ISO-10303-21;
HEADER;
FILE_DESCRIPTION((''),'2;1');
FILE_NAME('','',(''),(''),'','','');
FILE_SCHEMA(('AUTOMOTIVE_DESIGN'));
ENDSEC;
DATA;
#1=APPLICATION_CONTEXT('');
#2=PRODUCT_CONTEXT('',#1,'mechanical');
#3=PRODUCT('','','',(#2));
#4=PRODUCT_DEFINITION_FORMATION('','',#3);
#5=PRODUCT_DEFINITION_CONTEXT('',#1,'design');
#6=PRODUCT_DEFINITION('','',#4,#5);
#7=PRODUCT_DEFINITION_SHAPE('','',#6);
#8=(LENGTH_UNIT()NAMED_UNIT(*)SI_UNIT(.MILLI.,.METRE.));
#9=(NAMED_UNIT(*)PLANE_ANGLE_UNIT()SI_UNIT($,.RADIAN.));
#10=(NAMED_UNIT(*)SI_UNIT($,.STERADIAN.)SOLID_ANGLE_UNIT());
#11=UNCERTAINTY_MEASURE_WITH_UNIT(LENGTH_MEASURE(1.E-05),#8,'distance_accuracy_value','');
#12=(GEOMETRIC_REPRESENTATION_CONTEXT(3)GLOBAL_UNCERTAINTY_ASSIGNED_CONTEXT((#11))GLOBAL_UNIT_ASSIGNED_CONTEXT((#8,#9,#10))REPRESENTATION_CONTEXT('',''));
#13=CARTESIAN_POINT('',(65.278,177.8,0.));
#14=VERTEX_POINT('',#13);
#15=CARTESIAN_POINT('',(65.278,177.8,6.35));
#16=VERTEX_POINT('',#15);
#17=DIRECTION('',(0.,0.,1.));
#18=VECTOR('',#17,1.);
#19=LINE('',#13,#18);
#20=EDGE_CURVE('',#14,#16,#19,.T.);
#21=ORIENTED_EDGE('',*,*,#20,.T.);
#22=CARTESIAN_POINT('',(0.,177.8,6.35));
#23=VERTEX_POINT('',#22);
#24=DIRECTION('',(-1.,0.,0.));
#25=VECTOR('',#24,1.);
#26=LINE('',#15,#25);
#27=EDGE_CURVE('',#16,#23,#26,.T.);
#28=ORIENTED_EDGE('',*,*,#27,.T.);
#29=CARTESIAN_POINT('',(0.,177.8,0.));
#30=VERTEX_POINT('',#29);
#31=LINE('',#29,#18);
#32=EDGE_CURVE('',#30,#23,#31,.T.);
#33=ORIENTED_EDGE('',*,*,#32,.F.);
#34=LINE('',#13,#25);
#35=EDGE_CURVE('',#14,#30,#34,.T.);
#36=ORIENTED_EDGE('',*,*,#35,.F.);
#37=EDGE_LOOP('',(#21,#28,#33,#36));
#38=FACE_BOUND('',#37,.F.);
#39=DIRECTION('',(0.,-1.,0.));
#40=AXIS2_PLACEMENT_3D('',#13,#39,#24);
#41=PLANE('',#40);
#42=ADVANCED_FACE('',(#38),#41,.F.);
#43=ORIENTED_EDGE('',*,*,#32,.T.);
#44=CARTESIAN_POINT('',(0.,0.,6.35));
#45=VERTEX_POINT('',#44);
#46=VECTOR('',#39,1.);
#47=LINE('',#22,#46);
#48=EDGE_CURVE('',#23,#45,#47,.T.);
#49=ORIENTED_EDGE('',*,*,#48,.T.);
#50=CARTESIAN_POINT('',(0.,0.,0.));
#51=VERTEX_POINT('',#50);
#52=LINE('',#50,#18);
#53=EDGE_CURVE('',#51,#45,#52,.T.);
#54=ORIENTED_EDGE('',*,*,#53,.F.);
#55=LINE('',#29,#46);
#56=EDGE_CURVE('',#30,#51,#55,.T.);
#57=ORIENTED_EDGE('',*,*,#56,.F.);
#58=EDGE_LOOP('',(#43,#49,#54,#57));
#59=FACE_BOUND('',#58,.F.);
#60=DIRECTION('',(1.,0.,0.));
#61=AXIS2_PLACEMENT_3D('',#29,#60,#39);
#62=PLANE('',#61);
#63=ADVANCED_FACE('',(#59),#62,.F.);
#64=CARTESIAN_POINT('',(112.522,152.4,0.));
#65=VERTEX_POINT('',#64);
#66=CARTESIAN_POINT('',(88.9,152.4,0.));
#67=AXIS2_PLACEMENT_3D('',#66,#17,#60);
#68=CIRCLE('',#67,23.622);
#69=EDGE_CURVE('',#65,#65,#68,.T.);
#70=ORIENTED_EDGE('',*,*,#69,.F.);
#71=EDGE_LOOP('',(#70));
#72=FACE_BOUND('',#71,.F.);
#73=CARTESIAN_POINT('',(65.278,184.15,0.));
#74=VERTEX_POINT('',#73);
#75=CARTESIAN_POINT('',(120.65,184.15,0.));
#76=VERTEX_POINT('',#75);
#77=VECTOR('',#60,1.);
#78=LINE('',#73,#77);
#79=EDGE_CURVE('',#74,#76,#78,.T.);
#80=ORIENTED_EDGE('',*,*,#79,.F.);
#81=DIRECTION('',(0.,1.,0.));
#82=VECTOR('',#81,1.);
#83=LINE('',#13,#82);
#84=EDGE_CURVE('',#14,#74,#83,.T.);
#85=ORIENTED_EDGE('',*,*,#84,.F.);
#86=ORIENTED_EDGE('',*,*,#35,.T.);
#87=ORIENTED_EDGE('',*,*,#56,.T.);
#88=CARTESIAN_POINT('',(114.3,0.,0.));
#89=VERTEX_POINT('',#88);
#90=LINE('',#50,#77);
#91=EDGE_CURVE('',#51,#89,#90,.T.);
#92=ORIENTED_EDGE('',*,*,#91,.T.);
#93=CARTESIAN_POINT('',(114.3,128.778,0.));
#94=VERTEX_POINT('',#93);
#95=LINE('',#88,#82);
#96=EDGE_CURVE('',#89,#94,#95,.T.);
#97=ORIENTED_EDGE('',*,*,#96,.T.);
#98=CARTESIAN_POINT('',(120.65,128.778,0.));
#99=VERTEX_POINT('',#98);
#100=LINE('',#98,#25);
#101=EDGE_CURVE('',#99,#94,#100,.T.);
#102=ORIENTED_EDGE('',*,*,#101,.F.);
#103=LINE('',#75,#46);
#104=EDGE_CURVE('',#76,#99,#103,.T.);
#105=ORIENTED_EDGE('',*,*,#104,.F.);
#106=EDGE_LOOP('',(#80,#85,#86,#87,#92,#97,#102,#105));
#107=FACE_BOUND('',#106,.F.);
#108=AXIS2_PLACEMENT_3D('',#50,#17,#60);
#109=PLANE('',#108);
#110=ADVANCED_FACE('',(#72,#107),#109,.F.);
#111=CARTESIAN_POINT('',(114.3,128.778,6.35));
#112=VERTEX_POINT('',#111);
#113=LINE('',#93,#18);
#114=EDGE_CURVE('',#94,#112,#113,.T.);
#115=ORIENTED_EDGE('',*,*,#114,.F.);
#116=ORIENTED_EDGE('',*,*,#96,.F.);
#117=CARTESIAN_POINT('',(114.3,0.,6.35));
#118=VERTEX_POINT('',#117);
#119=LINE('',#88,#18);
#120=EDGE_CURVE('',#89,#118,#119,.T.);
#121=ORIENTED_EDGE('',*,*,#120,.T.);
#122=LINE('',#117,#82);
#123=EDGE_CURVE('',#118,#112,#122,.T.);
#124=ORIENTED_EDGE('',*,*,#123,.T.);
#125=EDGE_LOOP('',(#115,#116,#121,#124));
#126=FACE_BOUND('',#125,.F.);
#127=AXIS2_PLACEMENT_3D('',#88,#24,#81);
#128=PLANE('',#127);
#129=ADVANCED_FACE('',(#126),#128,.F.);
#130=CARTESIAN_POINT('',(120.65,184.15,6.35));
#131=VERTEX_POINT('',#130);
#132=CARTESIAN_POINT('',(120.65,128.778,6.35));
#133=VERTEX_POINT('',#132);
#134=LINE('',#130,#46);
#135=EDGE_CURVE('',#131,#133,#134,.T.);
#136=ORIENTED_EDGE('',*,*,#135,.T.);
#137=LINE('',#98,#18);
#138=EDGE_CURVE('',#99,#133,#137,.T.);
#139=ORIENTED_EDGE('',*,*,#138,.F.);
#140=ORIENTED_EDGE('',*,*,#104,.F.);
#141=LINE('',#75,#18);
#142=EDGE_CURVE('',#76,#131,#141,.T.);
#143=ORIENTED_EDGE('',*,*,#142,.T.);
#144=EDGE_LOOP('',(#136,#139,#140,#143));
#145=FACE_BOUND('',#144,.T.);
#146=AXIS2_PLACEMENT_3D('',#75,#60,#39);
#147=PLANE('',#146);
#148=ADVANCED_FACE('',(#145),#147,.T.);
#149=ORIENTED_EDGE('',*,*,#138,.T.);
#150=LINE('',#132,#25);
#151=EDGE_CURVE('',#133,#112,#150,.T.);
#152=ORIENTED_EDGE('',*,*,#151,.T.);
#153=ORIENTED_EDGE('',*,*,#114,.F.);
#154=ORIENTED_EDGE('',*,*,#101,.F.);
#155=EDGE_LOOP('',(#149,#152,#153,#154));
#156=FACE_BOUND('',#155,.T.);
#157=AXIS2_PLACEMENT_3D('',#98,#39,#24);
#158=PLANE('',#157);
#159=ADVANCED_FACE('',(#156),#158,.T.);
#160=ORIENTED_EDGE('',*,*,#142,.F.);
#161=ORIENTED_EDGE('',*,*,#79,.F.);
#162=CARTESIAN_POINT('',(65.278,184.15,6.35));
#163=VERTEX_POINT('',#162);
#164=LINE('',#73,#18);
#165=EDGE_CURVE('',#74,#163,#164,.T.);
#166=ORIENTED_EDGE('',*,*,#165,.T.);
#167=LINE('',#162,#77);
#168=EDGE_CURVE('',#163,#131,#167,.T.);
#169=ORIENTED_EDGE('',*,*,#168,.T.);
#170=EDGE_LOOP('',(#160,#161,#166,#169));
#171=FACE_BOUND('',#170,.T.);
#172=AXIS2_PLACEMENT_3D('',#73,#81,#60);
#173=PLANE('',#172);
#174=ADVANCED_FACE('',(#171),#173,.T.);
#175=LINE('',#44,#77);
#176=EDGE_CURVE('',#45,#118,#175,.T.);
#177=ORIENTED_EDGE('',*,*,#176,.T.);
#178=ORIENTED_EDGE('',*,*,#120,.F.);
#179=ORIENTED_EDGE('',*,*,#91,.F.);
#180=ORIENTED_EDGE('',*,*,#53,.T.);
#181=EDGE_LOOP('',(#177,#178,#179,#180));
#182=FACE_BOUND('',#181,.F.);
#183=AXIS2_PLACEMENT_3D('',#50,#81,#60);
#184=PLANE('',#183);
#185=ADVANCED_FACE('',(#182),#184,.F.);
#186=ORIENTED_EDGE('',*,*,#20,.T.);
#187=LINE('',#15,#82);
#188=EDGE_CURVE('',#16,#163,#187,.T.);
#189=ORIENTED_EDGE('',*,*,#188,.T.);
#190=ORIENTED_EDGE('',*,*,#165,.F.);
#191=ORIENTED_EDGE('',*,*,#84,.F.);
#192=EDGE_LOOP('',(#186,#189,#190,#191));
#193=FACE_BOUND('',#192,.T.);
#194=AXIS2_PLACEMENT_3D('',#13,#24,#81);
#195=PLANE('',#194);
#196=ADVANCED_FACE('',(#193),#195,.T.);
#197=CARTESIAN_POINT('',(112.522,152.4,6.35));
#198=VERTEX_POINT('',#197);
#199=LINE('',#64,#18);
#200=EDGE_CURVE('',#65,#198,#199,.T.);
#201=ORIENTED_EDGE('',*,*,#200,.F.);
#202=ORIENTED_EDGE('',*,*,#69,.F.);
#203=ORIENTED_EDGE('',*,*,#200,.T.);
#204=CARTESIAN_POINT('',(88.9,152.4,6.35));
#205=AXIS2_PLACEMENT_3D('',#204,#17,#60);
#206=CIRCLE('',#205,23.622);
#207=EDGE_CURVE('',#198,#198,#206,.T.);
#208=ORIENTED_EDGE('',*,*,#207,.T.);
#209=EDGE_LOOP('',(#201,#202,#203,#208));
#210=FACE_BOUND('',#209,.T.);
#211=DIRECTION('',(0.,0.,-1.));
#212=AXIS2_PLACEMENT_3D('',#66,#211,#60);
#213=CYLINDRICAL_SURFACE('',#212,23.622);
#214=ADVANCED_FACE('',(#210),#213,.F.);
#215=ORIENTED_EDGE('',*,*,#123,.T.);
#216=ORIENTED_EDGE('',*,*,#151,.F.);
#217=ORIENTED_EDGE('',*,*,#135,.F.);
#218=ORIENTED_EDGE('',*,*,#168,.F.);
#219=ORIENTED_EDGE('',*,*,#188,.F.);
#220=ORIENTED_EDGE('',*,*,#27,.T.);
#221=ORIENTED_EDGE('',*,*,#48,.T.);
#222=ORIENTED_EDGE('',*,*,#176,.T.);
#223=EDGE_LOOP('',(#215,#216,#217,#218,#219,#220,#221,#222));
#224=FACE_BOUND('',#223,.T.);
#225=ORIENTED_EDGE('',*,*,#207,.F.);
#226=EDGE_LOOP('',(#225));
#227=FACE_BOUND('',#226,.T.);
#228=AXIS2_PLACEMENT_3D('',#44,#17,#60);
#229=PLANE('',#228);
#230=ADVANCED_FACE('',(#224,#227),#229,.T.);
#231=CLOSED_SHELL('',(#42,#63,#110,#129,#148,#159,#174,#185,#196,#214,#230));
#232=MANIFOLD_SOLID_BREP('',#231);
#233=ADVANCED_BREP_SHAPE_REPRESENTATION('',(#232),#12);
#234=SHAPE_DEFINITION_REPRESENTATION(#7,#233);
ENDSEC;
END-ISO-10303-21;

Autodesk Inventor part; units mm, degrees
ref_plane "YZ Plane" through (0, 0, 0) normal (1, 0, 0) x (0, 1, 0)
ref_plane "XZ Plane" through (0, 0, 0) normal (0, 1, 0) x (-1, 0, 0)
ref_plane "XY Plane" through (0, 0, 0) normal (0, 0, 1) x (1, 0, 0)
sketch "Sketch1" plane through (0, 0, 0) normal (0, 0, 1) x (1, 0, 0)
  line L0 (0, 0) -> (114.3, 0)
  line L1 (114.3, 0) -> (114.3, 128.778)
  line L2 (65.278, 177.8) -> (0, 177.8)
  line L3 (0, 177.8) -> (0, 0)
  circle A0 centre (88.9, 152.4) radius 23.622
  line L4 (65.278, 177.8) -> (65.278, 184.15)
  line L5 (65.278, 184.15) -> (120.65, 184.15)
  line L6 (120.65, 184.15) -> (120.65, 128.778)
  line L7 (120.65, 128.778) -> (114.3, 128.778)
  line L8 (120.65, 128.778) -> (114.3, 128.778)
  dimension "d0" = 114.3
  dimension "d2" = 47.244
  dimension "d3" = 25.4
  dimension "d4" = 25.4
  dimension "d5" = 6.35
  dimension "d6" = 6.35
  dimension "d7" = 55.372
extrude "Extrusion1" add sketch "Sketch1" along normal blind 6.35
properties part number "saw blade axle support (hole for arbor)"
